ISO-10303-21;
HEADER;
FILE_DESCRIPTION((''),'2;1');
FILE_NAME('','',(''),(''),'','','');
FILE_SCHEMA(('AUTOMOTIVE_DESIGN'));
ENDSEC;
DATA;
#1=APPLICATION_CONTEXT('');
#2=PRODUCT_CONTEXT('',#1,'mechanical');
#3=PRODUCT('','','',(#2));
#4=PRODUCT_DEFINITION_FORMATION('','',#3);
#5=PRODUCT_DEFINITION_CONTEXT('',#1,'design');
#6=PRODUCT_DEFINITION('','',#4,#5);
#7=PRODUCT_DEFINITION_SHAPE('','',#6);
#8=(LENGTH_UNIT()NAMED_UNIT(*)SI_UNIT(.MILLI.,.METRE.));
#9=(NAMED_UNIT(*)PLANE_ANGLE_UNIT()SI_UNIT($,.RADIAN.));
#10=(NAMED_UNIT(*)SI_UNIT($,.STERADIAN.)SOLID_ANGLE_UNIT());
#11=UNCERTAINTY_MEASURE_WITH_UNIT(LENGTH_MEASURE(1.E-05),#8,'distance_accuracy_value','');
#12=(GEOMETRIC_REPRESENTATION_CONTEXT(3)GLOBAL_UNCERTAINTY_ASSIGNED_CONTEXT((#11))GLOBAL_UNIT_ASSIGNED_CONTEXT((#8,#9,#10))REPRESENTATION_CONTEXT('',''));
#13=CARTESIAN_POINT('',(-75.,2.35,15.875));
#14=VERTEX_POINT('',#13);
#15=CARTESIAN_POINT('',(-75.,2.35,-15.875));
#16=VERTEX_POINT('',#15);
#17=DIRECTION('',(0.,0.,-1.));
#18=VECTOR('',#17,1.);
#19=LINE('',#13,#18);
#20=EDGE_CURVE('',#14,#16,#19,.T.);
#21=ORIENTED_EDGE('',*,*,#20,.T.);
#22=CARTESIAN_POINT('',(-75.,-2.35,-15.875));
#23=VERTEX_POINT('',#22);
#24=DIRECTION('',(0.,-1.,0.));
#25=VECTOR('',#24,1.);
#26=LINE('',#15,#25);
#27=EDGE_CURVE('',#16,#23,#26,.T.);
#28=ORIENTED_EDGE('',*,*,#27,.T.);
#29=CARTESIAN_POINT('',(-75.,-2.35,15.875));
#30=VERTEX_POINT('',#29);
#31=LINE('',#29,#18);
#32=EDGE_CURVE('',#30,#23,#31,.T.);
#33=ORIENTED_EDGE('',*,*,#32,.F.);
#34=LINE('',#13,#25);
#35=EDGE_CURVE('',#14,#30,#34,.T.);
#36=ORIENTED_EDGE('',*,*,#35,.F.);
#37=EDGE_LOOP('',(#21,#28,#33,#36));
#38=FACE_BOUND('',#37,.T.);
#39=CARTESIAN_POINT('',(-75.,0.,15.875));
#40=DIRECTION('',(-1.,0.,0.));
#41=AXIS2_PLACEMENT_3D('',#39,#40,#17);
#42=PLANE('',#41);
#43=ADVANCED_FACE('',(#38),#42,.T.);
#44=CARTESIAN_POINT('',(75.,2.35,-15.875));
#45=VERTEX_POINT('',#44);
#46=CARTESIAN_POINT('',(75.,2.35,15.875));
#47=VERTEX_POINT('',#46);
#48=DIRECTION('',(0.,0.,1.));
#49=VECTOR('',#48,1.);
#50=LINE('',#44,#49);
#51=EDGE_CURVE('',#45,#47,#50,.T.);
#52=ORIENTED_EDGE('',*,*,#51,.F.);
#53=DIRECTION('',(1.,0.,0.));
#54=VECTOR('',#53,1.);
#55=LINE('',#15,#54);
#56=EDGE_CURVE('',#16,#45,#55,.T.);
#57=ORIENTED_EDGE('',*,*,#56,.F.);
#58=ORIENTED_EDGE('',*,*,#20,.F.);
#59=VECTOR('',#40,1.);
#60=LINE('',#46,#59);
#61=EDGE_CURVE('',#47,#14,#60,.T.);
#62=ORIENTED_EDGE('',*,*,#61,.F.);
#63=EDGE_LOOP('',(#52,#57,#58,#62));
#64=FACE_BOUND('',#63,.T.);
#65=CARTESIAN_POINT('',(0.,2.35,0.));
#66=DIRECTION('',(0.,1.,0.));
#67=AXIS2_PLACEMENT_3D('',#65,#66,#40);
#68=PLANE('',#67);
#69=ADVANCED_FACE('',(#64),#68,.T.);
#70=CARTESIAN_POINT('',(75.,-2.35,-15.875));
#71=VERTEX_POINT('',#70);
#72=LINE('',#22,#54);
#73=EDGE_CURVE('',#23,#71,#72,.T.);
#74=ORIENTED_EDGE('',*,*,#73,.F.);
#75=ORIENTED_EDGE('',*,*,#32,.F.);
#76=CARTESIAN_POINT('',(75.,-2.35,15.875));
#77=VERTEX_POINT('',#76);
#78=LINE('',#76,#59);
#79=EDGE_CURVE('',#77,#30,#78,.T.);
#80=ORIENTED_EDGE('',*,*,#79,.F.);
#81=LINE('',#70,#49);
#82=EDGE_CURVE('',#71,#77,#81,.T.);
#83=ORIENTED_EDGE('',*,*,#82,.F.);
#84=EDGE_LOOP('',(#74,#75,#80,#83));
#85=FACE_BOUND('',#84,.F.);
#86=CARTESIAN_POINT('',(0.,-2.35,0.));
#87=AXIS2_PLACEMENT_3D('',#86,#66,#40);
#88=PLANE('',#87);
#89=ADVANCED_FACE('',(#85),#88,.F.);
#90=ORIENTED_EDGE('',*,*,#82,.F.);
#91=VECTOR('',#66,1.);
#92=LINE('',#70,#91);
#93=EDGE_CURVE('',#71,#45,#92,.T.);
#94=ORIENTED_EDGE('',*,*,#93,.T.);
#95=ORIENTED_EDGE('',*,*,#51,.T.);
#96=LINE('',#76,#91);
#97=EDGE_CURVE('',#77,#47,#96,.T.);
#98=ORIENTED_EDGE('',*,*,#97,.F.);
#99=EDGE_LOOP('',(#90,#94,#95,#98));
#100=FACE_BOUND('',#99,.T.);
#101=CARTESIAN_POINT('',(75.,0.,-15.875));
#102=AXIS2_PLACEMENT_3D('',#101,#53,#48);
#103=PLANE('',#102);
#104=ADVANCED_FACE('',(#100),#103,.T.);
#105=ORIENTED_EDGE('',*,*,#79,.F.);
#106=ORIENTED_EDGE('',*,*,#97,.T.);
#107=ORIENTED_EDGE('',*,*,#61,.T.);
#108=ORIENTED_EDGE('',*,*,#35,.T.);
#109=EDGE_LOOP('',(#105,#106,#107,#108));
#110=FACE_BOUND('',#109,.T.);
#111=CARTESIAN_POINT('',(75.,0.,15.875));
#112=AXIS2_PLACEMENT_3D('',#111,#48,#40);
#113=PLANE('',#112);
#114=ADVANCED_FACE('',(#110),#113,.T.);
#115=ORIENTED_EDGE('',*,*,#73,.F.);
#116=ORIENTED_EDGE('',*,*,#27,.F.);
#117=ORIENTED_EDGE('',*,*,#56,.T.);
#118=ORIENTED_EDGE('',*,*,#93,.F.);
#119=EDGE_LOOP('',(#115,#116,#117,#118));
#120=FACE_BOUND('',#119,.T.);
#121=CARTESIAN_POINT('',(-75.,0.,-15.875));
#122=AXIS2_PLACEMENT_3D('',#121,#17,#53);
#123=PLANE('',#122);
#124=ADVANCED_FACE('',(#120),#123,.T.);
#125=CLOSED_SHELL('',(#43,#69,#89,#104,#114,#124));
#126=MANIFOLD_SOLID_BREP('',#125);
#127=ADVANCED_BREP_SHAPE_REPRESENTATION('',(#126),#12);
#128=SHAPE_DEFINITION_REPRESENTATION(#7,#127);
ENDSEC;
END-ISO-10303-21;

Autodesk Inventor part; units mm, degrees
ref_plane "YZ Plane" through (0, 0, 0) normal (1, 0, 0) x (0, 1, 0)
ref_plane "XZ Plane" through (0, 0, 0) normal (0, 1, 0) x (-1, 0, 0)
ref_plane "XY Plane" through (0, 0, 0) normal (0, 0, 1) x (1, 0, 0)
sketch "Sketch1" plane through (0, 0, 0) normal (0, 1, 0) x (-1, 0, 0)
  line L0 (-75, 15.875) -> (75, 15.875)
  line L1 (75, 15.875) -> (75, -15.875)
  line L2 (75, -15.875) -> (-75, -15.875)
  line L3 (-75, -15.875) -> (-75, 15.875)
  line L4 (-75, 15.875) -> (75, -15.875) construction
  line L5 (75, 15.875) -> (-75, -15.875) construction
  point P0 (0, 0)
  dimension "d0" = 150
  dimension "d1" = 31.75
extrude "Extrusion1" add sketch "Sketch1" along normal mid plane 4.7
properties part number "Parallel_Spacer"
